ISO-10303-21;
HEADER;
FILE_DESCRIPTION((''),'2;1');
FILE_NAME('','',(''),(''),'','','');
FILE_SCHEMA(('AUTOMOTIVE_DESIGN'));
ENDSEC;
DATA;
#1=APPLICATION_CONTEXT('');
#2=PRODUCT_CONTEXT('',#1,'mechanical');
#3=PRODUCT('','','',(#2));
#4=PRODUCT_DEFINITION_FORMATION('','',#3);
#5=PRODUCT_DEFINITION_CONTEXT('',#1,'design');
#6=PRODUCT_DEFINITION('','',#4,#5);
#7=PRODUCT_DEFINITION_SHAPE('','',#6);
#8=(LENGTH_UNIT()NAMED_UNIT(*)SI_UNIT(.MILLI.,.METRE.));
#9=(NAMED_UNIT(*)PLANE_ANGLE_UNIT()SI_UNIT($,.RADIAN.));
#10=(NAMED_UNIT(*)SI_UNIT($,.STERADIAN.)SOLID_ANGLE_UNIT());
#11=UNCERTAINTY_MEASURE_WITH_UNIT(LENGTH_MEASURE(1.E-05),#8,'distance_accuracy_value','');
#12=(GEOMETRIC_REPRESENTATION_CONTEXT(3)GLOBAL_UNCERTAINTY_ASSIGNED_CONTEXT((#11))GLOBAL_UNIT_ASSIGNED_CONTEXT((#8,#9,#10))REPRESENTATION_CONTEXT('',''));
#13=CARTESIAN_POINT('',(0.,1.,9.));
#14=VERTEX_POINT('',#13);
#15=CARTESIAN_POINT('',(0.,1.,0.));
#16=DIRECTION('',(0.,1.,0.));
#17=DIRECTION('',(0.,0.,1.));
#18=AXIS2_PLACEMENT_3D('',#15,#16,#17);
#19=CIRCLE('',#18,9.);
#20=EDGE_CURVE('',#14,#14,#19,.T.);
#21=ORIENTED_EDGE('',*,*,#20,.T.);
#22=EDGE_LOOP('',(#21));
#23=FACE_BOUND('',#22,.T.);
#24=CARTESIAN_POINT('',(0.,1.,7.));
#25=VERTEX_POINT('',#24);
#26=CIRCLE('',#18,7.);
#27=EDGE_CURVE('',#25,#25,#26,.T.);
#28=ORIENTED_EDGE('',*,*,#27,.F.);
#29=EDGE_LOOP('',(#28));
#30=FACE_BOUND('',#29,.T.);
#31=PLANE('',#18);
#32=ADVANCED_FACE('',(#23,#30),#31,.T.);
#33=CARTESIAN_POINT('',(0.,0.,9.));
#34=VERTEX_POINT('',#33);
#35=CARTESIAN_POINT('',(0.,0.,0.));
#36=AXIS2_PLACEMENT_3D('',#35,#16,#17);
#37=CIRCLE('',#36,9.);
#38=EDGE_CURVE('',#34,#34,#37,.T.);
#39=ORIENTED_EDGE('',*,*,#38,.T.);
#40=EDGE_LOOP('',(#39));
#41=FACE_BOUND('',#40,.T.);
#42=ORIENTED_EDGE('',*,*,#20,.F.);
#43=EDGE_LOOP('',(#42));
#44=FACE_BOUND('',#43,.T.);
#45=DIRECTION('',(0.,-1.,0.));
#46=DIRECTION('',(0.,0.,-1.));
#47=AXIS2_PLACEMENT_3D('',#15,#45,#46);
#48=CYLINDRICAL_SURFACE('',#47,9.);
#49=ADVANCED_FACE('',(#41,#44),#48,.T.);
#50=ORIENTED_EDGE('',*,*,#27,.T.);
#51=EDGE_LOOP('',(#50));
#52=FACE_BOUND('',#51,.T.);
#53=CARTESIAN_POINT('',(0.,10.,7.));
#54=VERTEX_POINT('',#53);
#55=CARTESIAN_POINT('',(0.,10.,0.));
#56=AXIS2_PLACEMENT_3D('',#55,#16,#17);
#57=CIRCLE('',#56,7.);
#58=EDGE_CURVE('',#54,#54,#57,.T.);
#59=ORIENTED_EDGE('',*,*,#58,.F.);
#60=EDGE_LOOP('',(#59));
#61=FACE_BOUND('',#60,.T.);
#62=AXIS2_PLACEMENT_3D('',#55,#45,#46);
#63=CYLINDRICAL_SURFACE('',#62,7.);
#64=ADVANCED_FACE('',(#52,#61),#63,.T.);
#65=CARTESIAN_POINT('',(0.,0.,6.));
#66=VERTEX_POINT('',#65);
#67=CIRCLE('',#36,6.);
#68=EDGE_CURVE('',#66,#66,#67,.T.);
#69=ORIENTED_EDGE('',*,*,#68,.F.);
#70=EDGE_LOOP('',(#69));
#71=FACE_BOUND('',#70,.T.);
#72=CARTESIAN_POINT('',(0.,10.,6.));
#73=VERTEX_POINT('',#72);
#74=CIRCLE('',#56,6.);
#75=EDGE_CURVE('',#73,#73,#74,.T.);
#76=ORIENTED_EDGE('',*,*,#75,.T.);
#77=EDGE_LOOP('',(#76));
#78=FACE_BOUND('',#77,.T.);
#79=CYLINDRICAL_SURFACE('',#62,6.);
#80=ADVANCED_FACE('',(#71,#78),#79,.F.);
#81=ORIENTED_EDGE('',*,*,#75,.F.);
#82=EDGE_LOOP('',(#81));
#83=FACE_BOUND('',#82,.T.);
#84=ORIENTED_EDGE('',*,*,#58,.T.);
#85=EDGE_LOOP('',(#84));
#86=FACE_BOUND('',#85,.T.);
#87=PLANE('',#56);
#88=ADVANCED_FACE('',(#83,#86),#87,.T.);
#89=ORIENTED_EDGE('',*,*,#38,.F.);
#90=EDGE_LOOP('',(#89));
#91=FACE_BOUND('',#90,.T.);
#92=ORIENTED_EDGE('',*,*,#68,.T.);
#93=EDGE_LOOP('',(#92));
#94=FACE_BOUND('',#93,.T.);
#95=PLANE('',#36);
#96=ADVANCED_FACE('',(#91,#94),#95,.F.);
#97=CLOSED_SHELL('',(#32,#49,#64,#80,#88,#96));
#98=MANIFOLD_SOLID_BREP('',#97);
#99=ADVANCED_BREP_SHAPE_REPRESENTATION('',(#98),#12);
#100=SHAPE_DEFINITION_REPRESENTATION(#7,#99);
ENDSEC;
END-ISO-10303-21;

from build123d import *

# Parameters (mm, degrees)
SKETCH2_R           = 7
SKETCH2_R_2         = 6
BOSS_EXTRUDE1_DEPTH = 10
SKETCH3_R           = 9
SKETCH3_R_2         = 7
BOSS_EXTRUDE2_DEPTH = 1


with BuildPart() as part:
    # Sketch2 → Boss-Extrude1 (new body)
    with BuildSketch(Plane(origin=(0, 0, 0), x_dir=(1, 0, 0), z_dir=(0, 1, 0))):
        Circle(SKETCH2_R)
        Circle(SKETCH2_R_2, mode=Mode.SUBTRACT)
    extrude(amount=BOSS_EXTRUDE1_DEPTH)

    # Sketch3 → Boss-Extrude2 (add)
    with BuildSketch(Plane(origin=(0, 0, 0), x_dir=(1, 0, 0), z_dir=(0, 1, 0))):
        Circle(SKETCH3_R)
        Circle(SKETCH3_R_2, mode=Mode.SUBTRACT)
    extrude(amount=BOSS_EXTRUDE2_DEPTH)


solid = part.part
